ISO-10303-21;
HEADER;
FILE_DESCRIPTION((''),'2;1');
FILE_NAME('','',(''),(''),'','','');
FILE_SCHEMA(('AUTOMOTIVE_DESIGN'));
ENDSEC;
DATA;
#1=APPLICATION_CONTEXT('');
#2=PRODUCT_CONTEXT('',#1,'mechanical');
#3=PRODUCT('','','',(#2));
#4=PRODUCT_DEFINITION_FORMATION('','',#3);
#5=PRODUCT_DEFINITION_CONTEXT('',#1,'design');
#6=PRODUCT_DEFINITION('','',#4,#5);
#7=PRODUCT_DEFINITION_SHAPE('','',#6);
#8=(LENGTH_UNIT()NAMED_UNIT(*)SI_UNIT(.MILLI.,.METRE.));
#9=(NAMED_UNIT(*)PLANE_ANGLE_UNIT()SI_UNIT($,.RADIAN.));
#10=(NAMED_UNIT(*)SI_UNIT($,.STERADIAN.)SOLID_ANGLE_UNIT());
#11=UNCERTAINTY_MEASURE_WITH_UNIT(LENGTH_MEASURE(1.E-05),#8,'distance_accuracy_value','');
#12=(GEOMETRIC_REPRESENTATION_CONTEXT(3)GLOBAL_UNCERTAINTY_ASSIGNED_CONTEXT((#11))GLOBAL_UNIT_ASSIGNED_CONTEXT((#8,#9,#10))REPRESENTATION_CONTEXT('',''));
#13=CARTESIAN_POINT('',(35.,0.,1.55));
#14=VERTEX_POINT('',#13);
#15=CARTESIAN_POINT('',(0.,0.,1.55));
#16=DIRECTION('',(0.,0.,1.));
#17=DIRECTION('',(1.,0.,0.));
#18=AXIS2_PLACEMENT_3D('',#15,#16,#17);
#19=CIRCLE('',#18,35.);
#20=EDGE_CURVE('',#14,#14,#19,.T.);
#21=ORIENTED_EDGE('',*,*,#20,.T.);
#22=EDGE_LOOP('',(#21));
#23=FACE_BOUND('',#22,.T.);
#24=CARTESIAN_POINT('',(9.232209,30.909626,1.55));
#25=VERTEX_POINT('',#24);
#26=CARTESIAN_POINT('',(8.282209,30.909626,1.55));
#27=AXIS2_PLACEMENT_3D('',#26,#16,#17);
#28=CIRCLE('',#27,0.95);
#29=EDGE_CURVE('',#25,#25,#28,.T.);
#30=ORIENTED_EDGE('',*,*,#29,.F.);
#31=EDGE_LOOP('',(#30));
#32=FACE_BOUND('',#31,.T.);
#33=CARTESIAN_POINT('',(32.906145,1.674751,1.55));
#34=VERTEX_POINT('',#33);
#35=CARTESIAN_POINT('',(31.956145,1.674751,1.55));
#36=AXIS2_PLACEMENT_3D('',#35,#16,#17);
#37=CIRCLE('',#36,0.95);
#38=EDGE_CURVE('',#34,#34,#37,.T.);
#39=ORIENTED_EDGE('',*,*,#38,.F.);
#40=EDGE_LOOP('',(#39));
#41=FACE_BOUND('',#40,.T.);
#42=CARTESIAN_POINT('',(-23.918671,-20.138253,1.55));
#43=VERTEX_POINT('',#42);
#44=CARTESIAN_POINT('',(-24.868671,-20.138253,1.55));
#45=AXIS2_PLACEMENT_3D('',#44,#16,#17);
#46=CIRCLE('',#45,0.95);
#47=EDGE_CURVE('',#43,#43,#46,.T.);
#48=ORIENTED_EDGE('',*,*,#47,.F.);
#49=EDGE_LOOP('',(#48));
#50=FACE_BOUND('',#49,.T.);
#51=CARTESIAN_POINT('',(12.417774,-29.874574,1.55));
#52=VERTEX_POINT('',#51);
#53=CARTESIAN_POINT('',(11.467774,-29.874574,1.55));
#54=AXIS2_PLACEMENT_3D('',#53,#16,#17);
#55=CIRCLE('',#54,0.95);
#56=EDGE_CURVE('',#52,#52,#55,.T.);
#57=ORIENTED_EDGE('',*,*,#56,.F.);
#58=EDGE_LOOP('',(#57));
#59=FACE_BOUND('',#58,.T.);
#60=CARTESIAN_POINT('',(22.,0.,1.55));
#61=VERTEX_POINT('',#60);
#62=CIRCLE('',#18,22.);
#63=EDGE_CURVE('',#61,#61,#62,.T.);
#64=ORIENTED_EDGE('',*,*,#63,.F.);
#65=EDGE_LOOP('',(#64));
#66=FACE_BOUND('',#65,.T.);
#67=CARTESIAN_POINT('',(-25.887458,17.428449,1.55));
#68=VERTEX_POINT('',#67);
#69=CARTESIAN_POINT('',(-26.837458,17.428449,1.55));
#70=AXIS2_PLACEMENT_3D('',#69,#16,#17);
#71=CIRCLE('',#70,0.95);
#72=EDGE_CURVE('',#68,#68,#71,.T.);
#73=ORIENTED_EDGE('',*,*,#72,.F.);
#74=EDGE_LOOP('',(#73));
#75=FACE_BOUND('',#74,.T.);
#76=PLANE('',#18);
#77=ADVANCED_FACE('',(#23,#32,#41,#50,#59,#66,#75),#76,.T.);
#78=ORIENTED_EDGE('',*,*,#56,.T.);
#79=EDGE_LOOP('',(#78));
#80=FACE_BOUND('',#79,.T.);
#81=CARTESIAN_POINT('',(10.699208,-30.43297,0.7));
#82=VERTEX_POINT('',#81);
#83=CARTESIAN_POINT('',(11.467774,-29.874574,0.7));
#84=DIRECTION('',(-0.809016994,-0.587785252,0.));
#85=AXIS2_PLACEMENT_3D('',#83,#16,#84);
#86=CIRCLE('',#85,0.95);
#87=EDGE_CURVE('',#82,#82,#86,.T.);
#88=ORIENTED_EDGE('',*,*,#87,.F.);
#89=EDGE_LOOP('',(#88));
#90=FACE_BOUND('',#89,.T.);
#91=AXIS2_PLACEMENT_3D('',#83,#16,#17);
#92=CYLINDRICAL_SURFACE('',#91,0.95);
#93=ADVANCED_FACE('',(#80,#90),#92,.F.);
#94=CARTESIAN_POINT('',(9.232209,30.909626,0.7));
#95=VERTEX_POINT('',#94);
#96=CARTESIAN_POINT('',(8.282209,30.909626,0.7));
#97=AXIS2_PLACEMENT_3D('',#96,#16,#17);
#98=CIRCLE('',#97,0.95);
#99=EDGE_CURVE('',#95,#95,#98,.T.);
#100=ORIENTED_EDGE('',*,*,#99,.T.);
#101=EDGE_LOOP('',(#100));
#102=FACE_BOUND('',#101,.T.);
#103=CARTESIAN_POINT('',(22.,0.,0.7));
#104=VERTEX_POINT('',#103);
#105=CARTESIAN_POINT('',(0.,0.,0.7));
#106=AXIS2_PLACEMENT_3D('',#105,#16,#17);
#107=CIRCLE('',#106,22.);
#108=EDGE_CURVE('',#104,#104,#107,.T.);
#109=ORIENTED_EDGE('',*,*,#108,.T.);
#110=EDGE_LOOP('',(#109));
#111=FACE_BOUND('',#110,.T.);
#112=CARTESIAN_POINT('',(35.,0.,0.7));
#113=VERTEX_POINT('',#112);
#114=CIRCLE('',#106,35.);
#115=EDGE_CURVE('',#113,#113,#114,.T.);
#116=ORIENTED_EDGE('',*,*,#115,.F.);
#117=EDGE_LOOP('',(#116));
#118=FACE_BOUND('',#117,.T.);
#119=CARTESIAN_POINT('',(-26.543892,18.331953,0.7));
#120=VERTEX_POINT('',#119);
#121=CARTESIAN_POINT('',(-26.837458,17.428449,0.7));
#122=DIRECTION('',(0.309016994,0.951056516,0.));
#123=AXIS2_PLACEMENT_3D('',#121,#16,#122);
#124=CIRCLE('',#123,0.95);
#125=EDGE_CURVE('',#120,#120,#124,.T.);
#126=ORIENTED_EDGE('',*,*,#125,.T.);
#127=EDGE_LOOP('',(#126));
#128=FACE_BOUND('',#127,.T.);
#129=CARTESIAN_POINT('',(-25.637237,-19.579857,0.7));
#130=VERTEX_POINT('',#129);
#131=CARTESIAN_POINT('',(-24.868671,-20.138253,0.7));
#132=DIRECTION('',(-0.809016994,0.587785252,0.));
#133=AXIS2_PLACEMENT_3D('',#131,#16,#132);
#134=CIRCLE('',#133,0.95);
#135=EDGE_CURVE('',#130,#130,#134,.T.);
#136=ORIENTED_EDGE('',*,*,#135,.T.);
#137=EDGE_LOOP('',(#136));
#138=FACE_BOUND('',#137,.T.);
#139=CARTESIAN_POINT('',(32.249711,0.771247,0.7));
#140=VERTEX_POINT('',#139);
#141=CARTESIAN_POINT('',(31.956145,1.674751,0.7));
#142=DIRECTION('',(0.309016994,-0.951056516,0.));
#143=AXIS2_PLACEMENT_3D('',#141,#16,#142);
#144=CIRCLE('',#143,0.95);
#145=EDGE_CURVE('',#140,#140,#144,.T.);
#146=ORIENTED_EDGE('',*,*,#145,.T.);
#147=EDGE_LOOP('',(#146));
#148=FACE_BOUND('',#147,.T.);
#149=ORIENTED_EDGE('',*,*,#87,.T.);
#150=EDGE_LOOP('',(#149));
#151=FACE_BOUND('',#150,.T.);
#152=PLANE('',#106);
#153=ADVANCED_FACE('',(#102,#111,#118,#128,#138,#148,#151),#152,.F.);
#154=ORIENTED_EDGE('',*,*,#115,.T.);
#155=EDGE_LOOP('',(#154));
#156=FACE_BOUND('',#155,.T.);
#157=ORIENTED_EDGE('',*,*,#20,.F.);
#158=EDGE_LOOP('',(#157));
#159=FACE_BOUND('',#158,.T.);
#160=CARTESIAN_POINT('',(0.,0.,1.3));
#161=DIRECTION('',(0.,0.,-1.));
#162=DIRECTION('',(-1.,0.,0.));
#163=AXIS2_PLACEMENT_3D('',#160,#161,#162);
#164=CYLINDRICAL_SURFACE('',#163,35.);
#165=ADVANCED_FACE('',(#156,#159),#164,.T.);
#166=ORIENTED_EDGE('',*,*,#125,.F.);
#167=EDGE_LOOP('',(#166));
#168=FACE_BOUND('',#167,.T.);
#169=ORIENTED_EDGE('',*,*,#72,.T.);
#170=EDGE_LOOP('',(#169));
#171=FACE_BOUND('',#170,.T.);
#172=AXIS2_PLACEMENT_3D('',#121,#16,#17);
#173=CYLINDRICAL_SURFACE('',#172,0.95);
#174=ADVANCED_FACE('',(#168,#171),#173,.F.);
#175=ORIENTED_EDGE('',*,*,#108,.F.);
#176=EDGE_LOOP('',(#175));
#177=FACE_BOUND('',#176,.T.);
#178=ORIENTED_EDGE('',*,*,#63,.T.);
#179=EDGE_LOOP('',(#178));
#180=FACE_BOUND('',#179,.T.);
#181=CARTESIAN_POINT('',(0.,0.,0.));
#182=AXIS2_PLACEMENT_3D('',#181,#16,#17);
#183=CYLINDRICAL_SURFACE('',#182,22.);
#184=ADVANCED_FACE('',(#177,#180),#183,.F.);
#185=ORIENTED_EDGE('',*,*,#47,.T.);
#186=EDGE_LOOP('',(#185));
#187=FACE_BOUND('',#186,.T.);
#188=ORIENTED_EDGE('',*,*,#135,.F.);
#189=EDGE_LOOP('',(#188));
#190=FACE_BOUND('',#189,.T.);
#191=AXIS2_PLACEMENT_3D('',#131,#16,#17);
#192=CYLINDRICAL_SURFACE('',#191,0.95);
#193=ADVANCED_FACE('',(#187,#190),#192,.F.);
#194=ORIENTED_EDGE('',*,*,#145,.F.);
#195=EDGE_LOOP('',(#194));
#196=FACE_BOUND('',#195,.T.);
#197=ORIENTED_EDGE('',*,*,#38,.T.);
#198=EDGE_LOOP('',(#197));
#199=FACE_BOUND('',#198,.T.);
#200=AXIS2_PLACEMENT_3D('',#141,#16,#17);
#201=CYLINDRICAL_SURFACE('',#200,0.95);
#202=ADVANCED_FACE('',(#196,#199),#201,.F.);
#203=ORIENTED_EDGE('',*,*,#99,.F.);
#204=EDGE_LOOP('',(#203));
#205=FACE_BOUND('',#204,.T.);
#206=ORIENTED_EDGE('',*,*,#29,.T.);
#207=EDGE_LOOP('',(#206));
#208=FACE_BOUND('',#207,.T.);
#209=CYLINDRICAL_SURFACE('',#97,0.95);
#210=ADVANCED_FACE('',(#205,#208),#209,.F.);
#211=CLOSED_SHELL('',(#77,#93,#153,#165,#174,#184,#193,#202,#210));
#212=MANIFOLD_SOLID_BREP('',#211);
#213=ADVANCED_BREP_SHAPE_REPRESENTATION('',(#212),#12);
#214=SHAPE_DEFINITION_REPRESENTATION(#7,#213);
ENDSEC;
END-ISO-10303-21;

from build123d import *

# Parameters (mm, degrees)
SKETCH1_R           = 35
BOSS_EXTRUDE1_DEPTH = 1.3
SKETCH2_R           = 22
CUT_EXTRUDE1_DEPTH  = 50.514543318
MOVE_FACE1_BY       = 0.7
SKETCH5_R           = 0.95
CUT_EXTRUDE4_DEPTH  = 50.501111099
CIRPATTERN2_COUNT   = 5
MOVE_FACE2_BY       = 0.25


with BuildPart() as part:
    # Sketch1 → Boss-Extrude1 (new body)
    with BuildSketch(Plane.XY):
        Circle(SKETCH1_R)
    extrude(amount=BOSS_EXTRUDE1_DEPTH)

    # Sketch2 → Cut-Extrude1 (cut, through all)
    with BuildSketch(Plane.XY.offset(1.3)):
        Circle(SKETCH2_R)
    extrude(amount=-CUT_EXTRUDE1_DEPTH, mode=Mode.SUBTRACT)

    # Move Face1: a face moved inward by 0.7
    extrude(part.faces().sort_by_distance((0, -28, 0))[0], amount=MOVE_FACE1_BY, dir=(0, 0, 1), mode=Mode.SUBTRACT)

    # Sketch5 → Cut-Extrude4 (cut, through all)
    with BuildSketch(Plane.XY.offset(1.3)):
        with Locations((8.282209443, 30.909626441)):
            Circle(SKETCH5_R)
    cut_extrude4 = extrude(amount=-CUT_EXTRUDE4_DEPTH, mode=Mode.SUBTRACT)

    # CirPattern2: Cut-Extrude4 ×5 about axis
    cirpattern2_axis = Axis((0, 0, -88.99), (0, 0, 1))
    for i in range(1, CIRPATTERN2_COUNT):
        add(cut_extrude4.rotate(cirpattern2_axis, i * 360 / CIRPATTERN2_COUNT), mode=Mode.SUBTRACT)

    # Move Face2: a face moved outward by 0.25
    extrude(part.faces().sort_by_distance((0, -28, 1.3))[0], amount=MOVE_FACE2_BY, dir=(0, 0, 1))


solid = part.part
